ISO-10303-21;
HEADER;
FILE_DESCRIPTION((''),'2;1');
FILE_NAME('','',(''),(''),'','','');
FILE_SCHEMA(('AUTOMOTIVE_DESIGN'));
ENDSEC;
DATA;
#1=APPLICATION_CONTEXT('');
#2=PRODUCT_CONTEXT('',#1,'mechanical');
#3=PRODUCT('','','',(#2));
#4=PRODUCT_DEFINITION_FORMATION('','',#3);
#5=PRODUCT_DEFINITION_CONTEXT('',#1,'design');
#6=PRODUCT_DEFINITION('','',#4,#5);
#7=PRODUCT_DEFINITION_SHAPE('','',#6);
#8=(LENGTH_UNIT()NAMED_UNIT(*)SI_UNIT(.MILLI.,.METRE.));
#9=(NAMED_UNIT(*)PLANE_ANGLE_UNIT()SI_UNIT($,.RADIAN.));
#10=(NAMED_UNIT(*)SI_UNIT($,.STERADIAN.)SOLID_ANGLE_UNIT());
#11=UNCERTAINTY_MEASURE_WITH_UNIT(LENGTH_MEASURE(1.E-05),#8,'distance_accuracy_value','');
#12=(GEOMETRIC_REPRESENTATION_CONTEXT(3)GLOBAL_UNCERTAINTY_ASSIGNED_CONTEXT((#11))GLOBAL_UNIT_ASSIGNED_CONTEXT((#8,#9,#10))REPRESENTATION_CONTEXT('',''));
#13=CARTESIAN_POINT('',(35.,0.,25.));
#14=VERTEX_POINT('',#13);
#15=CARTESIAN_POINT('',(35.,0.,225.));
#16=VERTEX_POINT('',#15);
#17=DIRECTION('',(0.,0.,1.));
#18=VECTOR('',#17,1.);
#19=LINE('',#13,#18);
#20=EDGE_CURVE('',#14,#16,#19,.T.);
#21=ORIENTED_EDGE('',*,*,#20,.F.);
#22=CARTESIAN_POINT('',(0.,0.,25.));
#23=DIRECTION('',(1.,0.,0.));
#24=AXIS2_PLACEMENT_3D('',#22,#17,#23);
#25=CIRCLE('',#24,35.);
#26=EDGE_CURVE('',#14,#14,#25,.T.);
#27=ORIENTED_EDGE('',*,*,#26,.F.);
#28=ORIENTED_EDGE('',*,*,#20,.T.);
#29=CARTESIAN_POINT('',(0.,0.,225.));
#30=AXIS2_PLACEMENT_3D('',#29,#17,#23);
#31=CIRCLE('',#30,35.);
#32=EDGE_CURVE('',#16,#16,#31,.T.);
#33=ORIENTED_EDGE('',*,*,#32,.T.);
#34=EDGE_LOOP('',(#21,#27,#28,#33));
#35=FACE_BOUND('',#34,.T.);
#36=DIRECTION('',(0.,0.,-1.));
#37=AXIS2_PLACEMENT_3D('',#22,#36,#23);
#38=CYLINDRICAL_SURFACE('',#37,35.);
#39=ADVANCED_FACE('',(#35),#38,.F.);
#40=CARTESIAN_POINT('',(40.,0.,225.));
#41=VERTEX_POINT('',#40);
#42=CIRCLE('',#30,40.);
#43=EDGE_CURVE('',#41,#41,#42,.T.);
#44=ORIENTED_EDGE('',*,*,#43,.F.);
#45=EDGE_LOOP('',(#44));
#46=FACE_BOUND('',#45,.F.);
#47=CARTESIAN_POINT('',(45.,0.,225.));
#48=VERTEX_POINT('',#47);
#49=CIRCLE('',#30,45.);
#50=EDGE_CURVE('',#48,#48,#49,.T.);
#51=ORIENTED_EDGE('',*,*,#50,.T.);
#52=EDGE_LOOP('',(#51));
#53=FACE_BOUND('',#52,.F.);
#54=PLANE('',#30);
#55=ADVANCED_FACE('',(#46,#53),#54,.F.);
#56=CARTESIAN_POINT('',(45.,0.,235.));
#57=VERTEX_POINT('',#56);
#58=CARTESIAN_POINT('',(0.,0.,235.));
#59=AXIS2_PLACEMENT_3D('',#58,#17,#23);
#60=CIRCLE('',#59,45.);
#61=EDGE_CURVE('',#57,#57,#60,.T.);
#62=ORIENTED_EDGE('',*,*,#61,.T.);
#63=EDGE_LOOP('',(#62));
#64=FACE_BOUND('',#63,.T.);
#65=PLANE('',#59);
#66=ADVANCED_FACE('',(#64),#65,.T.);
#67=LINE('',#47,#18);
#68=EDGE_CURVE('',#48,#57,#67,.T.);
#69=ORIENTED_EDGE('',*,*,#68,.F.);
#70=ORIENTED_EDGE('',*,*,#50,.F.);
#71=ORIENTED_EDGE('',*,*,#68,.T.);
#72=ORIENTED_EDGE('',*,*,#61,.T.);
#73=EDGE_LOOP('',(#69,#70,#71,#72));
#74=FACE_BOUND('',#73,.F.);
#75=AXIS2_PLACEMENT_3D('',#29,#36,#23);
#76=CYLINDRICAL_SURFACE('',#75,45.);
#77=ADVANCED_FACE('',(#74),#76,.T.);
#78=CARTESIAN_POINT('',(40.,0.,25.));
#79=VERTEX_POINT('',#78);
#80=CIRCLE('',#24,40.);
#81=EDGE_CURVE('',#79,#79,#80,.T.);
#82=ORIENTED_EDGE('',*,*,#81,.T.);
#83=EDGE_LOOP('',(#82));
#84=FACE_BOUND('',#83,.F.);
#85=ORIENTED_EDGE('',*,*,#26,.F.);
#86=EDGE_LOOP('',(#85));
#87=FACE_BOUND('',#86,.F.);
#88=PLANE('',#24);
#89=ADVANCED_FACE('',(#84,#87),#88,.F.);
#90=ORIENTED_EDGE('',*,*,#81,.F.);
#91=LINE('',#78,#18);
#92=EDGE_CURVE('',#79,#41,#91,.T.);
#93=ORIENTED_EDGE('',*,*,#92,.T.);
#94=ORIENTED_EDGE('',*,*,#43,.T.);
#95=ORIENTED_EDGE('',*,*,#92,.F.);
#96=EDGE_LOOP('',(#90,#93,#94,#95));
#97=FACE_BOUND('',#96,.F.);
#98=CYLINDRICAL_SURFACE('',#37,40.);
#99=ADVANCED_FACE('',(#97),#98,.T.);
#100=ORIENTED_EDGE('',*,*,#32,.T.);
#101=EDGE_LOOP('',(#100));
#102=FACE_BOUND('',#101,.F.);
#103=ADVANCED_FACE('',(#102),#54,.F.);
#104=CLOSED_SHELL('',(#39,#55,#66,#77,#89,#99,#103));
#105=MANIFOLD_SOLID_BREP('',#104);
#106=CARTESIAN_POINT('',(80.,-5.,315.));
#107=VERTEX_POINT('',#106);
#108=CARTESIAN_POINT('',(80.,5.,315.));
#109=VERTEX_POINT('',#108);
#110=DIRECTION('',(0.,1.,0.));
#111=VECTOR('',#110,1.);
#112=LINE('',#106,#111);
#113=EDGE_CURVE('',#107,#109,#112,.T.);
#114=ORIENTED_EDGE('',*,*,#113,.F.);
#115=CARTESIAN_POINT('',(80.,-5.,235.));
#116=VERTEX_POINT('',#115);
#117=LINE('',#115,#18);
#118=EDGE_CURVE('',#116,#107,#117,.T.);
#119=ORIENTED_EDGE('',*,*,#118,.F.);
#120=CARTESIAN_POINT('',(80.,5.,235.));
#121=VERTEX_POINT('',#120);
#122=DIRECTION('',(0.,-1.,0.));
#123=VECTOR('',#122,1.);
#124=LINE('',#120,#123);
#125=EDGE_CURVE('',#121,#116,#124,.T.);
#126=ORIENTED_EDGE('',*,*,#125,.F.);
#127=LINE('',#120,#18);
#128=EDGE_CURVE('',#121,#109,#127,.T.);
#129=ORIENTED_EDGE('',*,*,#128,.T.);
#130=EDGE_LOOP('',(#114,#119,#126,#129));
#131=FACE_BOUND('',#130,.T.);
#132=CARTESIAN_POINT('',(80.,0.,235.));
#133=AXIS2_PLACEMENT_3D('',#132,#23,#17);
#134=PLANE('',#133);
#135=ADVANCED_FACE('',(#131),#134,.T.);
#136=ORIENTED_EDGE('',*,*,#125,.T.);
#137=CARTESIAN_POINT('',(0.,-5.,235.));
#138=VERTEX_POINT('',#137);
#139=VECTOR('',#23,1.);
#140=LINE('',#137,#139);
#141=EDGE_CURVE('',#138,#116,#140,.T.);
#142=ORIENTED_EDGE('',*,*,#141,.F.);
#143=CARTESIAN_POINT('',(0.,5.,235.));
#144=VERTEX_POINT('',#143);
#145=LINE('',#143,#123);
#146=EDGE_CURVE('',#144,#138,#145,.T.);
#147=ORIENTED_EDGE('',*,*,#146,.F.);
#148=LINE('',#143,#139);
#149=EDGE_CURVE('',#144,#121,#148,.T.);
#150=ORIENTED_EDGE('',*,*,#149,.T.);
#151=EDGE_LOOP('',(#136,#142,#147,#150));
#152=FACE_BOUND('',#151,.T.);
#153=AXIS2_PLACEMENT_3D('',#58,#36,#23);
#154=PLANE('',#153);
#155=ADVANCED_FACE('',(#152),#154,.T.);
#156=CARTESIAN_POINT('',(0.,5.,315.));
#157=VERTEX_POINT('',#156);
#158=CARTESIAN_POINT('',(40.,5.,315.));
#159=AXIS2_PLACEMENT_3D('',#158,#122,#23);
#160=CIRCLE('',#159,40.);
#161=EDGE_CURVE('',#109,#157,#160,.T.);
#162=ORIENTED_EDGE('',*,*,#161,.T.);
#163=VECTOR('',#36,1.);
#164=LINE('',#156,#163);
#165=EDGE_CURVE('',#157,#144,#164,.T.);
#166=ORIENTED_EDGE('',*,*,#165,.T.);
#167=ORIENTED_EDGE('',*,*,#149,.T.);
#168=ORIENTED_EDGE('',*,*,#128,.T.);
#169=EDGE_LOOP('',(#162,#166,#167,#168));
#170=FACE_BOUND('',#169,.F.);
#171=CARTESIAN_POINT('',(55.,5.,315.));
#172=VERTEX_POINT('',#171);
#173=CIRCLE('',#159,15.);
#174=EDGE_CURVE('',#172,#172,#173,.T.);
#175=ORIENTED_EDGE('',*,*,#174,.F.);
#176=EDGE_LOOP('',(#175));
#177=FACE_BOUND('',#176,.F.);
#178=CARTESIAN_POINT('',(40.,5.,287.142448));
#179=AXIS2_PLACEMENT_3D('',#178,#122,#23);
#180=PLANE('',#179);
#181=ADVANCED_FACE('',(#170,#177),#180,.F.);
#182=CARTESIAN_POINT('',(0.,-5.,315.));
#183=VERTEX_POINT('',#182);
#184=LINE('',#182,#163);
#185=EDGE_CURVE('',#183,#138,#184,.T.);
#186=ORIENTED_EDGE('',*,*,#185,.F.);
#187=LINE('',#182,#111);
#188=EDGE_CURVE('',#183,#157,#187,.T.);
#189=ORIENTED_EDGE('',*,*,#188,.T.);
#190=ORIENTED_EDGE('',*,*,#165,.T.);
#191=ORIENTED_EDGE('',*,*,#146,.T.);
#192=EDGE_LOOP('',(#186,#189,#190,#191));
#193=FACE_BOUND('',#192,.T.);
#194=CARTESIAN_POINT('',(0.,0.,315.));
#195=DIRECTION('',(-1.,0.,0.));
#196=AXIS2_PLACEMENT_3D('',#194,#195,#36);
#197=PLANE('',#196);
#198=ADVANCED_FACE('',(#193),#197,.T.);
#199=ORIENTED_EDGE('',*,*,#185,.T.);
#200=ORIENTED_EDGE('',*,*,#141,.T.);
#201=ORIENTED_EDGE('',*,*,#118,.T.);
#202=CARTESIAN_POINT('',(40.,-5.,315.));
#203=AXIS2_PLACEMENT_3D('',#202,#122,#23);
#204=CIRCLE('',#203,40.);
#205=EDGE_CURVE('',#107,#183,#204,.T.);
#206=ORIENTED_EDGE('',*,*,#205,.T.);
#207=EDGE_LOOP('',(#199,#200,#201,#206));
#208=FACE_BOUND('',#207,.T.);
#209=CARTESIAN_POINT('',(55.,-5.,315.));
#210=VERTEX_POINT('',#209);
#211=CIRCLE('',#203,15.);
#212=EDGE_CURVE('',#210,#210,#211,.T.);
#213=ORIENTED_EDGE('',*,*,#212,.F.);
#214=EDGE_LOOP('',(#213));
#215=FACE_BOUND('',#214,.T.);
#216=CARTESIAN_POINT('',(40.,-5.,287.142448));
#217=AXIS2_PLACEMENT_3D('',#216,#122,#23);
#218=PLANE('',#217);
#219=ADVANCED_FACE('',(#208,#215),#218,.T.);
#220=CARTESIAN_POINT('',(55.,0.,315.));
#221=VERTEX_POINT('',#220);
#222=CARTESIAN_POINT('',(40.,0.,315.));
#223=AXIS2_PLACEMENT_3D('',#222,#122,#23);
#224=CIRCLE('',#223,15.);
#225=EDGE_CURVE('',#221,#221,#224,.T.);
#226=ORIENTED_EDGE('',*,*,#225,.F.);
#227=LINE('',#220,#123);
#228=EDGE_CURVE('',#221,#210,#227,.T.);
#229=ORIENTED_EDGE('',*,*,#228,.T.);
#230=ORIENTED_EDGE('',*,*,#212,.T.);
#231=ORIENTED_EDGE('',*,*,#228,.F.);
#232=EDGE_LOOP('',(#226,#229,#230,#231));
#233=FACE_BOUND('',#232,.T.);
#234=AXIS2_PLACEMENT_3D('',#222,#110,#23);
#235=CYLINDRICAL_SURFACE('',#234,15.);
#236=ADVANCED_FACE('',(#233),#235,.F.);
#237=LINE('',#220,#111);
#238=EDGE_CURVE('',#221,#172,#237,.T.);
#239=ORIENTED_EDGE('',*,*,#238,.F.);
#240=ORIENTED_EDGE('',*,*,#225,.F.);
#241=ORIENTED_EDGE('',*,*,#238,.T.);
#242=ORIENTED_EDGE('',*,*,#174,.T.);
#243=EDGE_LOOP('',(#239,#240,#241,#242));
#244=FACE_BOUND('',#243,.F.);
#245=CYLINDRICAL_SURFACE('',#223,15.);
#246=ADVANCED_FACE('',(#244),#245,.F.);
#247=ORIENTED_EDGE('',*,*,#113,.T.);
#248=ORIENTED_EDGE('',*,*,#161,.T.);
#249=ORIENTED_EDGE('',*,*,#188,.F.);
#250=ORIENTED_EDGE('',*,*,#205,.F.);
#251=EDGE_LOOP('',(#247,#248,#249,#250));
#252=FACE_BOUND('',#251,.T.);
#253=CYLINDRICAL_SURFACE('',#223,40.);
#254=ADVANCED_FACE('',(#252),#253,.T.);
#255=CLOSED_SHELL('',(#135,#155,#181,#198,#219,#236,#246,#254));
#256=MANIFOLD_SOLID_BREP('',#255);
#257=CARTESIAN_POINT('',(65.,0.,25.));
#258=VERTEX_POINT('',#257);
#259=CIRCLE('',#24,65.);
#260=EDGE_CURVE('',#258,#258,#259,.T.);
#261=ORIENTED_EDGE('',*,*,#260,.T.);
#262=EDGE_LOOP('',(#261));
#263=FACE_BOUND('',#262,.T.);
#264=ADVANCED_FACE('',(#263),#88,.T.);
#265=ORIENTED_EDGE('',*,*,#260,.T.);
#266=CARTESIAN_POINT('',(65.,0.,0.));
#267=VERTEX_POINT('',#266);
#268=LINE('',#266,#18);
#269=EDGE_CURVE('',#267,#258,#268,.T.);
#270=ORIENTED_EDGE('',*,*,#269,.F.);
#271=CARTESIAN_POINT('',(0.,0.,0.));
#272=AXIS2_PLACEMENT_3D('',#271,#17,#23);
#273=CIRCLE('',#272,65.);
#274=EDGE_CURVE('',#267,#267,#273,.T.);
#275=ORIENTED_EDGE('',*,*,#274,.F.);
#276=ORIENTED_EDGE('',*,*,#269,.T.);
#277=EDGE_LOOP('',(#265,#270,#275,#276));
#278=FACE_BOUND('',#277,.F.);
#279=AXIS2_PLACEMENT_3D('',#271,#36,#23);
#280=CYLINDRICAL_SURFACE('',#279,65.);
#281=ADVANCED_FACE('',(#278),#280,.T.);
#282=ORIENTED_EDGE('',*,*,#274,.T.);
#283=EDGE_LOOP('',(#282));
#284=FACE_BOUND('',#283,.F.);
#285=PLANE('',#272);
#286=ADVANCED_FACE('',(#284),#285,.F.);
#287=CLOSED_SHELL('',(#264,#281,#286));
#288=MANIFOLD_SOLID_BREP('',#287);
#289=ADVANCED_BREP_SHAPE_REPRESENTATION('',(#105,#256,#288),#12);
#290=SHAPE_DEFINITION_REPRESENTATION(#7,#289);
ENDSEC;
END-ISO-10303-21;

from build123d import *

# Parameters (mm, degrees)
F0_R          = 65
F1_DEPTH      = 25
F2_R          = 40
F2_R_2        = 35
F3_DEPTH      = 200
F4_R          = 45
F5_DEPTH      = 10
F6_R          = 15
F7_DEPTH      = 5
F7_DEPTH_BACK = 5


with BuildPart() as f1:
    # F0 (on Top) → F1 (new body)
    with BuildSketch(Plane.XY):
        Circle(F0_R)
    extrude(amount=F1_DEPTH)


with BuildPart() as f3:
    # F2 (on face) → F3 (new body)
    with BuildSketch(Plane.XY.offset(25)):
        Circle(F2_R)
        Circle(F2_R_2, mode=Mode.SUBTRACT)
    extrude(amount=F3_DEPTH)

    # F4 (on face) → F5 (join)
    with BuildSketch(Plane.XY.offset(225)):
        Circle(F4_R)
    extrude(amount=F5_DEPTH)


with BuildPart() as f7:
    # F6 (on Front) → F7 (new body, two sides)
    with BuildSketch(Plane.XZ) as f7_sk:
        with BuildLine():
            Line((0, 315), (0, 235))
            Line((0, 235), (80, 235))
            Line((80, 235), (80, 315))
            ThreePointArc((80, 315), (40, 355), (0, 315))
        make_face()
        with Locations((40, 315)):
            Circle(F6_R, mode=Mode.SUBTRACT)
    extrude(amount=F7_DEPTH)
    extrude(f7_sk.sketch, amount=-F7_DEPTH_BACK)


solid = Compound([f1.part, f3.part, f7.part])
